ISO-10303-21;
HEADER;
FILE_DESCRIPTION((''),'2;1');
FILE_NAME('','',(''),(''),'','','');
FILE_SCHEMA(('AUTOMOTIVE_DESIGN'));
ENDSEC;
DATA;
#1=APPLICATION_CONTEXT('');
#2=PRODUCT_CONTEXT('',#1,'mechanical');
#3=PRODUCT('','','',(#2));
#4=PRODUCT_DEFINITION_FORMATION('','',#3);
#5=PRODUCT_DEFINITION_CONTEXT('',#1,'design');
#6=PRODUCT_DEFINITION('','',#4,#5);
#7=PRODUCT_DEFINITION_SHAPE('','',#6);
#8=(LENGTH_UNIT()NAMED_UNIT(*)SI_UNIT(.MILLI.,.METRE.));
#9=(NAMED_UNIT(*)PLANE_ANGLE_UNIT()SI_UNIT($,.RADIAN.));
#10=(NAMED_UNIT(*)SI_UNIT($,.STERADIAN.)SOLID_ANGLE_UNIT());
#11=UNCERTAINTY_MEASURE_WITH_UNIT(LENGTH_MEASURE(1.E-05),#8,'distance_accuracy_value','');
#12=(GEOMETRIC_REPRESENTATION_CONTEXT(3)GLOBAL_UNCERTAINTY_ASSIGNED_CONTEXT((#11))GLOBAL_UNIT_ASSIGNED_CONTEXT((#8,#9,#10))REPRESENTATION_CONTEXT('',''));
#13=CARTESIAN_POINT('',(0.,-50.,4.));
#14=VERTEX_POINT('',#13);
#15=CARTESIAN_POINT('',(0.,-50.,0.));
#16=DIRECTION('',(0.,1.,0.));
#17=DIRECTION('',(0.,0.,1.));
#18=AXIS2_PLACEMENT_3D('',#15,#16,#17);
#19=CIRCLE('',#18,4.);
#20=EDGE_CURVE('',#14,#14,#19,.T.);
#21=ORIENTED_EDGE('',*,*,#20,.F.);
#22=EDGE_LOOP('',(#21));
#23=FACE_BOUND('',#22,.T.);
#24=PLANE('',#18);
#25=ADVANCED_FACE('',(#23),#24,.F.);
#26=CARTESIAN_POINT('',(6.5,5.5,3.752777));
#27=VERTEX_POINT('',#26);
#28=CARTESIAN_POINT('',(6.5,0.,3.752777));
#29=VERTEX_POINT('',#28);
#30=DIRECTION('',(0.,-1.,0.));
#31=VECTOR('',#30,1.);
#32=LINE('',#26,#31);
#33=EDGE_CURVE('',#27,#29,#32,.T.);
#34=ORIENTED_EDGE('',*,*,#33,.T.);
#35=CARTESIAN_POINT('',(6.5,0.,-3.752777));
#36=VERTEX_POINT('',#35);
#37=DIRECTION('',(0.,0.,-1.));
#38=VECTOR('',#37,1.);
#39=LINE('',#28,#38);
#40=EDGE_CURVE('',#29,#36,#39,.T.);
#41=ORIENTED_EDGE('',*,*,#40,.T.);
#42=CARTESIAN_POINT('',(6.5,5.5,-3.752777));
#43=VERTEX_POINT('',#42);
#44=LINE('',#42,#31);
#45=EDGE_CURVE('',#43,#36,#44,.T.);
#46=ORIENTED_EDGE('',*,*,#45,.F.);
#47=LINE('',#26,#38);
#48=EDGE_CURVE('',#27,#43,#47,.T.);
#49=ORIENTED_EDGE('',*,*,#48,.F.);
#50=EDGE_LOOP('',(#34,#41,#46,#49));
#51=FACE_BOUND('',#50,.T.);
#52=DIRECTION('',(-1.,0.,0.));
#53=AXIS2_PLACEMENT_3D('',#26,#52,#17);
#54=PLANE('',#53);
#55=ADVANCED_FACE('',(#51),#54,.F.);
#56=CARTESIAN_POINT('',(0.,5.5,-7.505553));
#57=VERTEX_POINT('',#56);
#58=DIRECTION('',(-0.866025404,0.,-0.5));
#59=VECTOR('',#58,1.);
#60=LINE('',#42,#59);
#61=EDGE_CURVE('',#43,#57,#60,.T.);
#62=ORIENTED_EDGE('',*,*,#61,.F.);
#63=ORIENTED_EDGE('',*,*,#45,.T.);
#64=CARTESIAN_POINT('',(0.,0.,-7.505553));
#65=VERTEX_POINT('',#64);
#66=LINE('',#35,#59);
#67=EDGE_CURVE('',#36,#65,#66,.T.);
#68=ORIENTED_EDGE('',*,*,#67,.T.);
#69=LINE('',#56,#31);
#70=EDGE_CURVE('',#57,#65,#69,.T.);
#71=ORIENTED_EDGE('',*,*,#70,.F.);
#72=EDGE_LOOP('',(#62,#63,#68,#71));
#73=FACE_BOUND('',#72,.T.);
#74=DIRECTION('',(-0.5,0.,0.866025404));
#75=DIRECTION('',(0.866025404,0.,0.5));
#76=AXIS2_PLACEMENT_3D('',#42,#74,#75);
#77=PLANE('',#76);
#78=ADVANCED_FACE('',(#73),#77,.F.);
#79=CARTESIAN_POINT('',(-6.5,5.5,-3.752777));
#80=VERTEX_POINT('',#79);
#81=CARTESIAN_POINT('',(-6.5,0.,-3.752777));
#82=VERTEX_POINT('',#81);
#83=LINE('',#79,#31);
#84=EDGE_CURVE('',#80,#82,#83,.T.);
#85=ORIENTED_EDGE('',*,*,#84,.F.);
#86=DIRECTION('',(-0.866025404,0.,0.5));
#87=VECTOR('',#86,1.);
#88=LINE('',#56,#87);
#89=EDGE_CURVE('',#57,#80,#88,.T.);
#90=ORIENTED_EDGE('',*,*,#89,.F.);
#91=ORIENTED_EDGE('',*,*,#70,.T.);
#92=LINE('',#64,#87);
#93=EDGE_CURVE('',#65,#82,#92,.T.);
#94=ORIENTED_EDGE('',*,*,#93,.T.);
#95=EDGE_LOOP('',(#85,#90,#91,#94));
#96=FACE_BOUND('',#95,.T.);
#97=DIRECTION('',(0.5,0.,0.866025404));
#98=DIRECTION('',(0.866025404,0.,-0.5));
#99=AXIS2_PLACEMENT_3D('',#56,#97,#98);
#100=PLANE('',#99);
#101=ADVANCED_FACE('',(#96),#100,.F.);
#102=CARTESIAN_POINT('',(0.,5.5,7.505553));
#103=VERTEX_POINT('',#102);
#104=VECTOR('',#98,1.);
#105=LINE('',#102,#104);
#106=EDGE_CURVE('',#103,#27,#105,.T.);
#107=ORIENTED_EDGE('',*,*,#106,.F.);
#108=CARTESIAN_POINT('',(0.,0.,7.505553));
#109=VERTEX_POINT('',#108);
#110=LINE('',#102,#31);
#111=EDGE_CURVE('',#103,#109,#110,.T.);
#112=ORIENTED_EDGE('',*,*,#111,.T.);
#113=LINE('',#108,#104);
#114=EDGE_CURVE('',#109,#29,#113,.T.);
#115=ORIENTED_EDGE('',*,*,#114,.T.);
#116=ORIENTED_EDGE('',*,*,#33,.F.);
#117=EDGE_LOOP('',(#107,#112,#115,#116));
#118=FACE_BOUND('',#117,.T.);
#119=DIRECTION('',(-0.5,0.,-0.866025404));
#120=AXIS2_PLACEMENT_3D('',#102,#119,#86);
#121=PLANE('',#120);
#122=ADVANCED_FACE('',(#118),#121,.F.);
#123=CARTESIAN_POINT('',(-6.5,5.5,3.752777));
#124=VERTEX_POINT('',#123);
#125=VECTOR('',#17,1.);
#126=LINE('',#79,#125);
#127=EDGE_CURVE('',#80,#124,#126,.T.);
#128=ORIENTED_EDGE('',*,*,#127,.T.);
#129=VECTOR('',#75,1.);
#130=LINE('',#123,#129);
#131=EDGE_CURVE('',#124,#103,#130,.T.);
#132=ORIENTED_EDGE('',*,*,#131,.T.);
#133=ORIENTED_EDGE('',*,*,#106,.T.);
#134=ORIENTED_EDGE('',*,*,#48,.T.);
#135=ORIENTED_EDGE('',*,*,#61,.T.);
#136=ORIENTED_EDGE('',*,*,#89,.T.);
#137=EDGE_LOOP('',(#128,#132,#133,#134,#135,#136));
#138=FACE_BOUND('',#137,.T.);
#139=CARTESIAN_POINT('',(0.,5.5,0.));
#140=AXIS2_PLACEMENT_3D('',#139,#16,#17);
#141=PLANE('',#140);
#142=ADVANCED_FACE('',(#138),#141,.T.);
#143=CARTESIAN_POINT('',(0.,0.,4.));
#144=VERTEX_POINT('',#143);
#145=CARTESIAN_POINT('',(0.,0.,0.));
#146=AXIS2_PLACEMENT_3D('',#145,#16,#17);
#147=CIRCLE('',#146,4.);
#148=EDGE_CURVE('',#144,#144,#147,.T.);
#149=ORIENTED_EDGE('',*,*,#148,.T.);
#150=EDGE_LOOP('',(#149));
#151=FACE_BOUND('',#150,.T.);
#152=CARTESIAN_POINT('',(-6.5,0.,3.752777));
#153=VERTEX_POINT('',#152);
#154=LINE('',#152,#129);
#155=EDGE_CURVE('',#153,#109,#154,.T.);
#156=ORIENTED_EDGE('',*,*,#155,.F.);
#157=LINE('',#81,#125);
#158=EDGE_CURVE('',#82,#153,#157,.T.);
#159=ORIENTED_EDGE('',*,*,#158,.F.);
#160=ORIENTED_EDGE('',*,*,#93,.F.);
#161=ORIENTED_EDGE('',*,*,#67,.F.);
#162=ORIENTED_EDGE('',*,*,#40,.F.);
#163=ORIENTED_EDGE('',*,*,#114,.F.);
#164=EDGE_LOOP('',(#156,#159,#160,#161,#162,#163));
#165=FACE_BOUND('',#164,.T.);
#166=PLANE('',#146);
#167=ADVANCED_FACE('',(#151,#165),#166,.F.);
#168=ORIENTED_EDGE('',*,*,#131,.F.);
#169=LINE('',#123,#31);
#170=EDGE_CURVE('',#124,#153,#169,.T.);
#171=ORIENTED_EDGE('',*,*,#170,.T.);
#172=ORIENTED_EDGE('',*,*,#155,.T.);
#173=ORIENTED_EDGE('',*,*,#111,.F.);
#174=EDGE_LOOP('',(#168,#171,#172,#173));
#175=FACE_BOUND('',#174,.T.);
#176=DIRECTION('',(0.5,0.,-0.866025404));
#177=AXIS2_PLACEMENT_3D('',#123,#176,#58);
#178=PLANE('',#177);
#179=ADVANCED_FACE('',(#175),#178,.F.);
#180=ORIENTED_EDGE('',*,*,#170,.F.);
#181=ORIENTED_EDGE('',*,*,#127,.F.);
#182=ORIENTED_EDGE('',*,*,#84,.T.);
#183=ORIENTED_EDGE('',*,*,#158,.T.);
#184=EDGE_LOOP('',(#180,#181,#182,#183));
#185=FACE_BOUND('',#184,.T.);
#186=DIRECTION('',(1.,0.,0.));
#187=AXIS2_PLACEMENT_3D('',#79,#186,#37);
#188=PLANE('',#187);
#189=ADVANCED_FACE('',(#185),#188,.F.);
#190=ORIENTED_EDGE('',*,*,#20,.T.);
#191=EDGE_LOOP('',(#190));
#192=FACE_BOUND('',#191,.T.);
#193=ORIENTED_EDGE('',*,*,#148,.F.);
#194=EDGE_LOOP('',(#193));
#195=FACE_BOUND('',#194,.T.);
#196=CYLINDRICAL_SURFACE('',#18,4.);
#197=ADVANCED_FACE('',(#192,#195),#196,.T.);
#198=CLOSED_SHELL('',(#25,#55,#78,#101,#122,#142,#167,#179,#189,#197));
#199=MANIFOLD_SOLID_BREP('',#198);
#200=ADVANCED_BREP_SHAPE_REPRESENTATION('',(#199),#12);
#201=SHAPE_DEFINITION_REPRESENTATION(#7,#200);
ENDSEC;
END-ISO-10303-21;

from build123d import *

# Parameters (mm, degrees)
BOSS_EXTRU_1_DEPTH = 5.5
ESQUISSE2_R        = 4
BOSS_EXTRU_2_DEPTH = 50


with BuildPart() as part:
    # Esquisse1 → Boss.-Extru.1 (new body)
    with BuildSketch(Plane(origin=(0, 0, 0), x_dir=(1, 0, 0), z_dir=(0, 1, 0))):
        Polygon((6.5, 3.75277675), (0, 7.505553499), (-6.5, 3.75277675), (-6.5, -3.75277675), (0, -7.505553499), (6.5, -3.75277675), align=None)
    extrude(amount=BOSS_EXTRU_1_DEPTH)

    # Esquisse2 → Boss.-Extru.2 (add)
    with BuildSketch(Plane(origin=(0, 0, 0), x_dir=(1, 0, 0), z_dir=(0, 1, 0))):
        with Locations(Location((0, 0, 0), (0, 0, 270))):
            Circle(ESQUISSE2_R)
    extrude(amount=-BOSS_EXTRU_2_DEPTH)


solid = part.part
